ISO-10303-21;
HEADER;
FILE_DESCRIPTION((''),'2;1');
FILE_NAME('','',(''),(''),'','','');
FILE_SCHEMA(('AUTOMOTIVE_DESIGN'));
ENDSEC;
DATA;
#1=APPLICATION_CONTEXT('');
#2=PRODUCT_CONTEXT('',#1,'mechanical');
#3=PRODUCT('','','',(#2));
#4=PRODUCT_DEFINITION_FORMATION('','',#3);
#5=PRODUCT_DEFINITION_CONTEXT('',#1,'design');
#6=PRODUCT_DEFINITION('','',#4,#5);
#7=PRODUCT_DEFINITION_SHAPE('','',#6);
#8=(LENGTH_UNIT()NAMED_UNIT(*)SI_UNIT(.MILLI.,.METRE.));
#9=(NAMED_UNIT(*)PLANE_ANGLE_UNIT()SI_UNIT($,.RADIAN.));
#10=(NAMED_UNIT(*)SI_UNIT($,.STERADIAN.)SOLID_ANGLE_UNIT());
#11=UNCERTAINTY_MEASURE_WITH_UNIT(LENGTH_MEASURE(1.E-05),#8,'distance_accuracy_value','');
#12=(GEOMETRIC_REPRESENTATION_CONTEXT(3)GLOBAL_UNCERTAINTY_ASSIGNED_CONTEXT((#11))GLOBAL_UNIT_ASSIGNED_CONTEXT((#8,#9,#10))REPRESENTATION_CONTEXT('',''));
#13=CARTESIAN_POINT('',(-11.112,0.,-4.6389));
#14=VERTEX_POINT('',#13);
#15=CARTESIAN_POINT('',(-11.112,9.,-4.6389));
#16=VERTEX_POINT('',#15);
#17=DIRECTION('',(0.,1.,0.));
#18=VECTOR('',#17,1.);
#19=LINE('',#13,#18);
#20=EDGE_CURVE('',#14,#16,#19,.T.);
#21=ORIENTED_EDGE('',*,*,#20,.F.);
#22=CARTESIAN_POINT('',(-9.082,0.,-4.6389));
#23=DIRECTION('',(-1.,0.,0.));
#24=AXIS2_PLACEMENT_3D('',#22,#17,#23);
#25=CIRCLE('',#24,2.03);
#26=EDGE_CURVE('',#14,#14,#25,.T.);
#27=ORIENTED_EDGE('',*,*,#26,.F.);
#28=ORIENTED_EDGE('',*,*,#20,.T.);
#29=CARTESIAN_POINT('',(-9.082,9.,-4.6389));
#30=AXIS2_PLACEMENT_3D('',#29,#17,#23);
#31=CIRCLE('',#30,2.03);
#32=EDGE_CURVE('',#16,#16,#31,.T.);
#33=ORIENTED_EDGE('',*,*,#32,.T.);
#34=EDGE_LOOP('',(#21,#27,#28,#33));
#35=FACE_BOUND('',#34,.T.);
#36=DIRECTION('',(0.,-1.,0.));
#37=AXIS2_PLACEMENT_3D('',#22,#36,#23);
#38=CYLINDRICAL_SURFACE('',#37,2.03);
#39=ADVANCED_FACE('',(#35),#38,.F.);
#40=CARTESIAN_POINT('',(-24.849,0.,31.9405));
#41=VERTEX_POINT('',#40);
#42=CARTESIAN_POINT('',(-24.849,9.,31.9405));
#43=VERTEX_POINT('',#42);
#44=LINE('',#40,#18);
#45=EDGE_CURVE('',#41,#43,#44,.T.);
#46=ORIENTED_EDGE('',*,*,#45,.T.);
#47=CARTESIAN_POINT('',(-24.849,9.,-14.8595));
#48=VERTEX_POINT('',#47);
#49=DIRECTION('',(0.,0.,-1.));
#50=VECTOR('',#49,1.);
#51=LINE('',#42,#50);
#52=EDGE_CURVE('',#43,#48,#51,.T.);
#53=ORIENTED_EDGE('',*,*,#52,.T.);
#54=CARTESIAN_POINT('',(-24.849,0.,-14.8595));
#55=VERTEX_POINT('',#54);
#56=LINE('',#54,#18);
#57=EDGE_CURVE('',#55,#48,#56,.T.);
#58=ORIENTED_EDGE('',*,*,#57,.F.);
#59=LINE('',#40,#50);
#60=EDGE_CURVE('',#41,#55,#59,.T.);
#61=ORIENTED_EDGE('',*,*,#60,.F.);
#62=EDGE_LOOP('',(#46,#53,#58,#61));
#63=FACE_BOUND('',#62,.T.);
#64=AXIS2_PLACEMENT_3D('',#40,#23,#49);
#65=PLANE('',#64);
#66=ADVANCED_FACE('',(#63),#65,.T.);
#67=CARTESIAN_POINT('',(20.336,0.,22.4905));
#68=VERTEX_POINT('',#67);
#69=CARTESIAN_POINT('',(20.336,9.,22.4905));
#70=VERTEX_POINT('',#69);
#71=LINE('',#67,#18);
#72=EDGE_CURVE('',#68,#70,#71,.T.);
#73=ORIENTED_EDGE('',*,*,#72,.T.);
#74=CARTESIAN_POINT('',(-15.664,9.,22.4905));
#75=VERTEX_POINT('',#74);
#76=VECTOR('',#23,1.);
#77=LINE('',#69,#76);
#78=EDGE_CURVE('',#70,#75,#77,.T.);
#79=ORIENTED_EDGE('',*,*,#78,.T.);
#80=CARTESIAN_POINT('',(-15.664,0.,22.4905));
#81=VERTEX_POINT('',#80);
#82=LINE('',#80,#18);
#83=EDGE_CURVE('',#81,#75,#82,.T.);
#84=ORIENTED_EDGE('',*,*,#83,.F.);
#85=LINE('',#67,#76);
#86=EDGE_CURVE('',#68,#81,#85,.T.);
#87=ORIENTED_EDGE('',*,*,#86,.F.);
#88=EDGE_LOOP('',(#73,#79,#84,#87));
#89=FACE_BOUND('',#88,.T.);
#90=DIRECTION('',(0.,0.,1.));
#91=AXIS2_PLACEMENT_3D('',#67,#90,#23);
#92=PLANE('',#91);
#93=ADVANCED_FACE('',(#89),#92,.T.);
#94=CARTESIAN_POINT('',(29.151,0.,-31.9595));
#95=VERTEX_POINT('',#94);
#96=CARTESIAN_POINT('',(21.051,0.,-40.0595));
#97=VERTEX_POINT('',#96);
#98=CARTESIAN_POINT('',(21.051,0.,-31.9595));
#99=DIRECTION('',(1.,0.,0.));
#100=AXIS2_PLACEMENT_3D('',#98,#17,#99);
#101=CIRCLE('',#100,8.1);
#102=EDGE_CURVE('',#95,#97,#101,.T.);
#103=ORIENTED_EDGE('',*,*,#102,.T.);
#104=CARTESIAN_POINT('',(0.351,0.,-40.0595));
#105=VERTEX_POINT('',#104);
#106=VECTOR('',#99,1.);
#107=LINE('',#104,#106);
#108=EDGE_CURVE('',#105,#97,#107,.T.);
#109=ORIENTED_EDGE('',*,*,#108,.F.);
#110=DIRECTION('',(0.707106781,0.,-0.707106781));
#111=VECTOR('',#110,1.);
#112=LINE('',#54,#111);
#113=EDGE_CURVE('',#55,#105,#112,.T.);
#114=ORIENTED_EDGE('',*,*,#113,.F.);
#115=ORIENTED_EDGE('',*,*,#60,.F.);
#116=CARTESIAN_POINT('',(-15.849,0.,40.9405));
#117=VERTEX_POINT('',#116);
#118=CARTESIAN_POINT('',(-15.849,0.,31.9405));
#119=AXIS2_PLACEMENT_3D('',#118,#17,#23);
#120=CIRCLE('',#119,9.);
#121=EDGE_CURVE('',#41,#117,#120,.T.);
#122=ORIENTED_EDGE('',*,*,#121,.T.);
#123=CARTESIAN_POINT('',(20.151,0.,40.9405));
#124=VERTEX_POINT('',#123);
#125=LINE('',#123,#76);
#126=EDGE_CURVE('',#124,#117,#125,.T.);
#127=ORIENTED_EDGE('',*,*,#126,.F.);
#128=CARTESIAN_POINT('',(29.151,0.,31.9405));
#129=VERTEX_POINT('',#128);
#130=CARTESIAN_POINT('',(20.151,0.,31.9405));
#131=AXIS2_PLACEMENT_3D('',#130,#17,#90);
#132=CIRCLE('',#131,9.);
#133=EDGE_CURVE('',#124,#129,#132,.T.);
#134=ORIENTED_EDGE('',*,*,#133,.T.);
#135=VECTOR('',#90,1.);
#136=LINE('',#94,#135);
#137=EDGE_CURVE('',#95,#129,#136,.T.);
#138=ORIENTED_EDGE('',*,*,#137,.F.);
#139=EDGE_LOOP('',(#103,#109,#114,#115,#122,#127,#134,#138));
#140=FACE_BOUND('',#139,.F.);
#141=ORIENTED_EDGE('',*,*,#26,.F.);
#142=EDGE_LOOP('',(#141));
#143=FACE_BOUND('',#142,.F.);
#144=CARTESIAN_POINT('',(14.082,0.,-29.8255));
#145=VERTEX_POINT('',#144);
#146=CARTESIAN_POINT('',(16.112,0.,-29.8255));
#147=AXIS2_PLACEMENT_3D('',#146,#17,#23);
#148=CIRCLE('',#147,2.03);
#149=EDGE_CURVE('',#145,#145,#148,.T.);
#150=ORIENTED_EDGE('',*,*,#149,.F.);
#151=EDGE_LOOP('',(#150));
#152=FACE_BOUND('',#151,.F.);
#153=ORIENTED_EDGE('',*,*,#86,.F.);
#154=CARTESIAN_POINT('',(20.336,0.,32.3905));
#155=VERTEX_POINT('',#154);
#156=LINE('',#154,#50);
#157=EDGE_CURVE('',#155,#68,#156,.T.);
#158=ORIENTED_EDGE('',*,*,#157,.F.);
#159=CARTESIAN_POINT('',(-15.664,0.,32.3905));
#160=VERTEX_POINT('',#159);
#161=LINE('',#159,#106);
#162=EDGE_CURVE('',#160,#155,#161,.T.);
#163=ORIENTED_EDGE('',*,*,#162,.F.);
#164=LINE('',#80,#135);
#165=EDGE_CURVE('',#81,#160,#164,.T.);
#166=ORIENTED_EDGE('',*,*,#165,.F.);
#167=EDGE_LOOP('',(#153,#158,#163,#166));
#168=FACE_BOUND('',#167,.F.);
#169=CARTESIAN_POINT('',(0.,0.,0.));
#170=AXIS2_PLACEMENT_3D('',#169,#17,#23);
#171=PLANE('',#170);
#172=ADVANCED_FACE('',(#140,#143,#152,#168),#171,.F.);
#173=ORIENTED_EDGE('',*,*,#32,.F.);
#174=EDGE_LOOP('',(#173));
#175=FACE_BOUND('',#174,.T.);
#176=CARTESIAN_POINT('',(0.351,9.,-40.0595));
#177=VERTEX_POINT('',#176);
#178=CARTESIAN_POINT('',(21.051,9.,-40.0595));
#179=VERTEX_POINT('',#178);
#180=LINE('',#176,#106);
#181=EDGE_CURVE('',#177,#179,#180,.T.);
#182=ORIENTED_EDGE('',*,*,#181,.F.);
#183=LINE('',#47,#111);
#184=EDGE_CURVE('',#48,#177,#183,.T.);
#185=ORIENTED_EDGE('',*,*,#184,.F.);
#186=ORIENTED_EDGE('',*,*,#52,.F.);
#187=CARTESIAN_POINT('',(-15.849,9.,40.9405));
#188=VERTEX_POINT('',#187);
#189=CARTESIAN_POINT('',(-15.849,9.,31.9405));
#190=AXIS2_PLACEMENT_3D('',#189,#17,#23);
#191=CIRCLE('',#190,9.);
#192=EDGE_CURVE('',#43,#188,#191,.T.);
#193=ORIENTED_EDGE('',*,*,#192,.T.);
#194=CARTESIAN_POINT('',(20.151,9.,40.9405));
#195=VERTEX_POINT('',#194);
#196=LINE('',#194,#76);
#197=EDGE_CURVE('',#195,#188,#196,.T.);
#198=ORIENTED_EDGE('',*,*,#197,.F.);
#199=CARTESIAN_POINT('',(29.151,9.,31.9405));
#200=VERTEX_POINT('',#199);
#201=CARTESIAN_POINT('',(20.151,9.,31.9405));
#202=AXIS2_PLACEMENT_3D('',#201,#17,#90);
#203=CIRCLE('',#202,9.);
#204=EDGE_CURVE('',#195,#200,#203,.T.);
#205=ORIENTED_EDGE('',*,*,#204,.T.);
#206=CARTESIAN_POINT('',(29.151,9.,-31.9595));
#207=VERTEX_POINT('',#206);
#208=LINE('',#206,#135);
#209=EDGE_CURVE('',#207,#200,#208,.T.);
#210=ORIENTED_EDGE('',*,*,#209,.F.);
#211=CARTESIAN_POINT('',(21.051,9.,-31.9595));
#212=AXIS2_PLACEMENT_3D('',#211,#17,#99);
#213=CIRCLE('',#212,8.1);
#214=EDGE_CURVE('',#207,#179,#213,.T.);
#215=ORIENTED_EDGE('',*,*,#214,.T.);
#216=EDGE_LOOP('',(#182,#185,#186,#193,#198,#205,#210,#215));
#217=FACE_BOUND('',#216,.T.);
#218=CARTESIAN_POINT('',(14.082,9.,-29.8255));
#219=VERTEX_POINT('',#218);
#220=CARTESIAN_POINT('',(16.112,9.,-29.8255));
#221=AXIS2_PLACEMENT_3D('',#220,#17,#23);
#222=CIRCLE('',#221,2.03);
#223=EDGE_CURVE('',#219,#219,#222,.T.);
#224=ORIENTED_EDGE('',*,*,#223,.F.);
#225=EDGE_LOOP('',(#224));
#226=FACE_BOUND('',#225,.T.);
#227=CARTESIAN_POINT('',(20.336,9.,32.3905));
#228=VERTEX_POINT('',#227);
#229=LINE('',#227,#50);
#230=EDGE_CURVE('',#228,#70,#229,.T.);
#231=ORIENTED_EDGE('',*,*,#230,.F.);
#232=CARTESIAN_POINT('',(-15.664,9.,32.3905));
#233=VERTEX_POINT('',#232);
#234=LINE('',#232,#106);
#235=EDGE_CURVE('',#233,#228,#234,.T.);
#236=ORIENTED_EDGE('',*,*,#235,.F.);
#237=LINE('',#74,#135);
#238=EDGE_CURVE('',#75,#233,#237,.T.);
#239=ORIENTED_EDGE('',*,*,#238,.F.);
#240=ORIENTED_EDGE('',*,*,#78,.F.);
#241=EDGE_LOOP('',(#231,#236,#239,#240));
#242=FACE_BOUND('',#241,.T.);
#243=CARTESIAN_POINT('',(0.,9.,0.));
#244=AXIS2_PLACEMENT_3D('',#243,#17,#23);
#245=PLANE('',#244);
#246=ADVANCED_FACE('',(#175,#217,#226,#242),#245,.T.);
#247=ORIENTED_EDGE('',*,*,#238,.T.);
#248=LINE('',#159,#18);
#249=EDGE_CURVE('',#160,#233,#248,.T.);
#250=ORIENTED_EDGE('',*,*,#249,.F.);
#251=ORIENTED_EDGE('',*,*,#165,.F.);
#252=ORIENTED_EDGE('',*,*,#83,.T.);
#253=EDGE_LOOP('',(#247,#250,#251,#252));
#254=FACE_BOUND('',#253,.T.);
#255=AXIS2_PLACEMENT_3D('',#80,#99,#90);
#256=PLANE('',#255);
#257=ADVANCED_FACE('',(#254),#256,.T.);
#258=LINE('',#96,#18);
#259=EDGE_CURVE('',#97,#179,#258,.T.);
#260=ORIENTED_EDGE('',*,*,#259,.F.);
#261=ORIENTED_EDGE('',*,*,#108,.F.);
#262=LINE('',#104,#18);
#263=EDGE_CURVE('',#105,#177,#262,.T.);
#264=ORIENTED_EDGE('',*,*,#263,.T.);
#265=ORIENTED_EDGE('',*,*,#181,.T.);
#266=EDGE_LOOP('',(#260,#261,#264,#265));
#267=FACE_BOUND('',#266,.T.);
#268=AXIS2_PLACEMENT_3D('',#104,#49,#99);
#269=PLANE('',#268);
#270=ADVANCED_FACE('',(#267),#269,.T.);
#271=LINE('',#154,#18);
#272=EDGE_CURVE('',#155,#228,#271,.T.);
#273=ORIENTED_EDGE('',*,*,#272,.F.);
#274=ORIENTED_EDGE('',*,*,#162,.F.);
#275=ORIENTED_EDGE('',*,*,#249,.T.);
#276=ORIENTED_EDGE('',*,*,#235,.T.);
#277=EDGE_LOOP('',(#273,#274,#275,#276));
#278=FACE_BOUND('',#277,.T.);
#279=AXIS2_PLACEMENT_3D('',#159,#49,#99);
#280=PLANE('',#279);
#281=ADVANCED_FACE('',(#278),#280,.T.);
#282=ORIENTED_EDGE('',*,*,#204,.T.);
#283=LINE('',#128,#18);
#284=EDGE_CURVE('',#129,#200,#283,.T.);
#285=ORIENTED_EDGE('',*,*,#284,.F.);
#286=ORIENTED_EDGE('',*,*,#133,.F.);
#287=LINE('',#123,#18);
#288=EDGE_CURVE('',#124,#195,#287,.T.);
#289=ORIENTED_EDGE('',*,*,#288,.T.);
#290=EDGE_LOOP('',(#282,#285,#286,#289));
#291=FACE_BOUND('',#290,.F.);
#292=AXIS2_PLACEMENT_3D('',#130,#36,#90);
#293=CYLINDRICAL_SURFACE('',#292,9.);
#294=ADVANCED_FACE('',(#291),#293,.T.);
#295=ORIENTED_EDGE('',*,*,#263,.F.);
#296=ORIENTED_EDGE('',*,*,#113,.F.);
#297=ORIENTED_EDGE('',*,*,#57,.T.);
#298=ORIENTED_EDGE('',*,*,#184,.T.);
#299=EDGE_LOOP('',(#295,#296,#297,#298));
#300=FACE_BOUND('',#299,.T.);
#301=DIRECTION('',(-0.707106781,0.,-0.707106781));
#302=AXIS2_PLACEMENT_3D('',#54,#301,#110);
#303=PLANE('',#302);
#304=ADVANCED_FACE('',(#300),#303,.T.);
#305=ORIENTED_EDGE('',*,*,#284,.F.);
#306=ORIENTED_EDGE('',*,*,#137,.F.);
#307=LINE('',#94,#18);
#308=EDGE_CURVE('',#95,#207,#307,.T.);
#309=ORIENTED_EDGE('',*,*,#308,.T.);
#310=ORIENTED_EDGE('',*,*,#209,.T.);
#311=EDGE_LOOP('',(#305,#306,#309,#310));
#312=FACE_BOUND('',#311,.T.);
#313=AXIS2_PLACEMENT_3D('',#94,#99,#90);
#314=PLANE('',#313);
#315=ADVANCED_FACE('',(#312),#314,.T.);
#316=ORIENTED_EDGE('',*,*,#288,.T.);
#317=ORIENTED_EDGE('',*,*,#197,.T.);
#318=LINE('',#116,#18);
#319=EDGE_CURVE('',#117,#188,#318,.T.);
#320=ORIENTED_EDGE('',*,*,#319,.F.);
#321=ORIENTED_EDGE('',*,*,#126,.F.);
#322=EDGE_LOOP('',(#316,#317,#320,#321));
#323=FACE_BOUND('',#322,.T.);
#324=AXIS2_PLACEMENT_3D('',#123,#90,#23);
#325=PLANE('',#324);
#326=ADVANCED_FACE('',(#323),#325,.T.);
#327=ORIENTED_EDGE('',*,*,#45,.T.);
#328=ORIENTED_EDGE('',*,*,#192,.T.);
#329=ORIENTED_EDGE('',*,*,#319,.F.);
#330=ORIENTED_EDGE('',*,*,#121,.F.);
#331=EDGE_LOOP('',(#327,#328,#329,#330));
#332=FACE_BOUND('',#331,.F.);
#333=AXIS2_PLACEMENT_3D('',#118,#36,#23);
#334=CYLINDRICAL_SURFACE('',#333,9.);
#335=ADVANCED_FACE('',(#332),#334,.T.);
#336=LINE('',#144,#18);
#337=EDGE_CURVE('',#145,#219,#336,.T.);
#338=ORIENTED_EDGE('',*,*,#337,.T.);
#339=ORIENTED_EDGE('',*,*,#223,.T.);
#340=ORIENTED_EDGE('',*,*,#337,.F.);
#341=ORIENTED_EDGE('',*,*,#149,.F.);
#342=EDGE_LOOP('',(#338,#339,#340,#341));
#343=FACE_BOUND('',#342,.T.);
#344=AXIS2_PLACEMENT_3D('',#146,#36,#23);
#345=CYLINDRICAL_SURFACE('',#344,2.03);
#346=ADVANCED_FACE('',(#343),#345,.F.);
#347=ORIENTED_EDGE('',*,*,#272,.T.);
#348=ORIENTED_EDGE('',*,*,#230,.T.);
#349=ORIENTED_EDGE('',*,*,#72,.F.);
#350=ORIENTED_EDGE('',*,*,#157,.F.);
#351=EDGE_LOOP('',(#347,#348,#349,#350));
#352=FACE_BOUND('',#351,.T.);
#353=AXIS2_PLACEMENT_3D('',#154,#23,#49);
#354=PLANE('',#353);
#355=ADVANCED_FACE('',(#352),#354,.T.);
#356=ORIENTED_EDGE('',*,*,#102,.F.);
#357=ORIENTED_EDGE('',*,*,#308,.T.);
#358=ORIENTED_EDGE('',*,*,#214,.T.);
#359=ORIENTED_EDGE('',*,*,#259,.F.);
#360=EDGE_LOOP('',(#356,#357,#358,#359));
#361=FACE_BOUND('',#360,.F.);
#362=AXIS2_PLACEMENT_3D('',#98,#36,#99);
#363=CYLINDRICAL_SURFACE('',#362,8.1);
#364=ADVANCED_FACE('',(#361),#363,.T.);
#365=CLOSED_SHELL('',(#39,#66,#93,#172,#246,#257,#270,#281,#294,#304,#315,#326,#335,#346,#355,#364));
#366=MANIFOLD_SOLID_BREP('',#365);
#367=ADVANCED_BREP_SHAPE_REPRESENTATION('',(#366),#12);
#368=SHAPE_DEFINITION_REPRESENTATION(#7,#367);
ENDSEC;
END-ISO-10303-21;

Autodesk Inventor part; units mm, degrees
ref_plane "YZ Plane" through (0, 0, 0) normal (1, 0, 0) x (0, 1, 0)
ref_plane "XZ Plane" through (0, 0, 0) normal (0, 1, 0) x (-1, 0, 0)
ref_plane "XY Plane" through (0, 0, 0) normal (0, 0, 1) x (1, 0, 0)
sketch "Sketch1" plane through (0, 0, 0) normal (0, 1, 0) x (-1, 0, 0)
  line L0 (-20.151, 40.9405) -> (15.849, 40.9405)
  line L1 (24.849, 31.9405) -> (24.849, -14.8595)
  line L2 (-0.351, -40.0595) -> (-21.051, -40.0595)
  line L3 (-29.151, -31.9595) -> (-29.151, 31.9405)
  arc A0 (24.849, 31.9405) -> (15.849, 40.9405) centre (15.849, 31.9405) ccw
  arc A1 (-20.151, 40.9405) -> (-29.151, 31.9405) centre (-20.151, 31.9405) ccw
  arc A2 (-29.151, -31.9595) -> (-21.051, -40.0595) centre (-21.051, -31.9595) ccw
  line L4 (24.849, -14.8595) -> (-0.351, -40.0595)
  circle A3 centre (9.082, -4.6389) radius 2.03
  circle A4 centre (-16.112, -29.8255) radius 2.03
  line L5 (15.664, 32.3905) -> (-20.336, 32.3905)
  line L6 (-20.336, 32.3905) -> (-20.336, 22.4905)
  line L7 (-20.336, 22.4905) -> (15.664, 22.4905)
  line L8 (15.664, 22.4905) -> (15.664, 32.3905)
  point P0 (0, 0)
  point P1 (-29.151, 40.9405)
  point P2 (24.849, -40.0595)
  point P3 (24.849, 40.9405)
  point P4 (-29.151, -40.0595)
  dimension "d0" = 9
  dimension "d1" = 8.1
  dimension "d2" = 20.7
  dimension "d3" = 36
  dimension "d4" = 46.8
  dimension "d5" = 9
  dimension "d6" = 63.9
  dimension "d7" = 4.06
  dimension "d8" = 4.06
  dimension "d9" = 15.767
  dimension "d10" = 18.376
  dimension "d11" = 10.234
  dimension "d12" = 13.039
  dimension "d13" = 38.233
  dimension "d14" = 9.9
  dimension "d15" = 36
  dimension "d16" = 8.55
  dimension "d17" = 8.815
  dimension "d18" = 9.185
extrude "Extrusion1" add sketch "Sketch1" along normal blind 9
properties part number "hip hitam"
